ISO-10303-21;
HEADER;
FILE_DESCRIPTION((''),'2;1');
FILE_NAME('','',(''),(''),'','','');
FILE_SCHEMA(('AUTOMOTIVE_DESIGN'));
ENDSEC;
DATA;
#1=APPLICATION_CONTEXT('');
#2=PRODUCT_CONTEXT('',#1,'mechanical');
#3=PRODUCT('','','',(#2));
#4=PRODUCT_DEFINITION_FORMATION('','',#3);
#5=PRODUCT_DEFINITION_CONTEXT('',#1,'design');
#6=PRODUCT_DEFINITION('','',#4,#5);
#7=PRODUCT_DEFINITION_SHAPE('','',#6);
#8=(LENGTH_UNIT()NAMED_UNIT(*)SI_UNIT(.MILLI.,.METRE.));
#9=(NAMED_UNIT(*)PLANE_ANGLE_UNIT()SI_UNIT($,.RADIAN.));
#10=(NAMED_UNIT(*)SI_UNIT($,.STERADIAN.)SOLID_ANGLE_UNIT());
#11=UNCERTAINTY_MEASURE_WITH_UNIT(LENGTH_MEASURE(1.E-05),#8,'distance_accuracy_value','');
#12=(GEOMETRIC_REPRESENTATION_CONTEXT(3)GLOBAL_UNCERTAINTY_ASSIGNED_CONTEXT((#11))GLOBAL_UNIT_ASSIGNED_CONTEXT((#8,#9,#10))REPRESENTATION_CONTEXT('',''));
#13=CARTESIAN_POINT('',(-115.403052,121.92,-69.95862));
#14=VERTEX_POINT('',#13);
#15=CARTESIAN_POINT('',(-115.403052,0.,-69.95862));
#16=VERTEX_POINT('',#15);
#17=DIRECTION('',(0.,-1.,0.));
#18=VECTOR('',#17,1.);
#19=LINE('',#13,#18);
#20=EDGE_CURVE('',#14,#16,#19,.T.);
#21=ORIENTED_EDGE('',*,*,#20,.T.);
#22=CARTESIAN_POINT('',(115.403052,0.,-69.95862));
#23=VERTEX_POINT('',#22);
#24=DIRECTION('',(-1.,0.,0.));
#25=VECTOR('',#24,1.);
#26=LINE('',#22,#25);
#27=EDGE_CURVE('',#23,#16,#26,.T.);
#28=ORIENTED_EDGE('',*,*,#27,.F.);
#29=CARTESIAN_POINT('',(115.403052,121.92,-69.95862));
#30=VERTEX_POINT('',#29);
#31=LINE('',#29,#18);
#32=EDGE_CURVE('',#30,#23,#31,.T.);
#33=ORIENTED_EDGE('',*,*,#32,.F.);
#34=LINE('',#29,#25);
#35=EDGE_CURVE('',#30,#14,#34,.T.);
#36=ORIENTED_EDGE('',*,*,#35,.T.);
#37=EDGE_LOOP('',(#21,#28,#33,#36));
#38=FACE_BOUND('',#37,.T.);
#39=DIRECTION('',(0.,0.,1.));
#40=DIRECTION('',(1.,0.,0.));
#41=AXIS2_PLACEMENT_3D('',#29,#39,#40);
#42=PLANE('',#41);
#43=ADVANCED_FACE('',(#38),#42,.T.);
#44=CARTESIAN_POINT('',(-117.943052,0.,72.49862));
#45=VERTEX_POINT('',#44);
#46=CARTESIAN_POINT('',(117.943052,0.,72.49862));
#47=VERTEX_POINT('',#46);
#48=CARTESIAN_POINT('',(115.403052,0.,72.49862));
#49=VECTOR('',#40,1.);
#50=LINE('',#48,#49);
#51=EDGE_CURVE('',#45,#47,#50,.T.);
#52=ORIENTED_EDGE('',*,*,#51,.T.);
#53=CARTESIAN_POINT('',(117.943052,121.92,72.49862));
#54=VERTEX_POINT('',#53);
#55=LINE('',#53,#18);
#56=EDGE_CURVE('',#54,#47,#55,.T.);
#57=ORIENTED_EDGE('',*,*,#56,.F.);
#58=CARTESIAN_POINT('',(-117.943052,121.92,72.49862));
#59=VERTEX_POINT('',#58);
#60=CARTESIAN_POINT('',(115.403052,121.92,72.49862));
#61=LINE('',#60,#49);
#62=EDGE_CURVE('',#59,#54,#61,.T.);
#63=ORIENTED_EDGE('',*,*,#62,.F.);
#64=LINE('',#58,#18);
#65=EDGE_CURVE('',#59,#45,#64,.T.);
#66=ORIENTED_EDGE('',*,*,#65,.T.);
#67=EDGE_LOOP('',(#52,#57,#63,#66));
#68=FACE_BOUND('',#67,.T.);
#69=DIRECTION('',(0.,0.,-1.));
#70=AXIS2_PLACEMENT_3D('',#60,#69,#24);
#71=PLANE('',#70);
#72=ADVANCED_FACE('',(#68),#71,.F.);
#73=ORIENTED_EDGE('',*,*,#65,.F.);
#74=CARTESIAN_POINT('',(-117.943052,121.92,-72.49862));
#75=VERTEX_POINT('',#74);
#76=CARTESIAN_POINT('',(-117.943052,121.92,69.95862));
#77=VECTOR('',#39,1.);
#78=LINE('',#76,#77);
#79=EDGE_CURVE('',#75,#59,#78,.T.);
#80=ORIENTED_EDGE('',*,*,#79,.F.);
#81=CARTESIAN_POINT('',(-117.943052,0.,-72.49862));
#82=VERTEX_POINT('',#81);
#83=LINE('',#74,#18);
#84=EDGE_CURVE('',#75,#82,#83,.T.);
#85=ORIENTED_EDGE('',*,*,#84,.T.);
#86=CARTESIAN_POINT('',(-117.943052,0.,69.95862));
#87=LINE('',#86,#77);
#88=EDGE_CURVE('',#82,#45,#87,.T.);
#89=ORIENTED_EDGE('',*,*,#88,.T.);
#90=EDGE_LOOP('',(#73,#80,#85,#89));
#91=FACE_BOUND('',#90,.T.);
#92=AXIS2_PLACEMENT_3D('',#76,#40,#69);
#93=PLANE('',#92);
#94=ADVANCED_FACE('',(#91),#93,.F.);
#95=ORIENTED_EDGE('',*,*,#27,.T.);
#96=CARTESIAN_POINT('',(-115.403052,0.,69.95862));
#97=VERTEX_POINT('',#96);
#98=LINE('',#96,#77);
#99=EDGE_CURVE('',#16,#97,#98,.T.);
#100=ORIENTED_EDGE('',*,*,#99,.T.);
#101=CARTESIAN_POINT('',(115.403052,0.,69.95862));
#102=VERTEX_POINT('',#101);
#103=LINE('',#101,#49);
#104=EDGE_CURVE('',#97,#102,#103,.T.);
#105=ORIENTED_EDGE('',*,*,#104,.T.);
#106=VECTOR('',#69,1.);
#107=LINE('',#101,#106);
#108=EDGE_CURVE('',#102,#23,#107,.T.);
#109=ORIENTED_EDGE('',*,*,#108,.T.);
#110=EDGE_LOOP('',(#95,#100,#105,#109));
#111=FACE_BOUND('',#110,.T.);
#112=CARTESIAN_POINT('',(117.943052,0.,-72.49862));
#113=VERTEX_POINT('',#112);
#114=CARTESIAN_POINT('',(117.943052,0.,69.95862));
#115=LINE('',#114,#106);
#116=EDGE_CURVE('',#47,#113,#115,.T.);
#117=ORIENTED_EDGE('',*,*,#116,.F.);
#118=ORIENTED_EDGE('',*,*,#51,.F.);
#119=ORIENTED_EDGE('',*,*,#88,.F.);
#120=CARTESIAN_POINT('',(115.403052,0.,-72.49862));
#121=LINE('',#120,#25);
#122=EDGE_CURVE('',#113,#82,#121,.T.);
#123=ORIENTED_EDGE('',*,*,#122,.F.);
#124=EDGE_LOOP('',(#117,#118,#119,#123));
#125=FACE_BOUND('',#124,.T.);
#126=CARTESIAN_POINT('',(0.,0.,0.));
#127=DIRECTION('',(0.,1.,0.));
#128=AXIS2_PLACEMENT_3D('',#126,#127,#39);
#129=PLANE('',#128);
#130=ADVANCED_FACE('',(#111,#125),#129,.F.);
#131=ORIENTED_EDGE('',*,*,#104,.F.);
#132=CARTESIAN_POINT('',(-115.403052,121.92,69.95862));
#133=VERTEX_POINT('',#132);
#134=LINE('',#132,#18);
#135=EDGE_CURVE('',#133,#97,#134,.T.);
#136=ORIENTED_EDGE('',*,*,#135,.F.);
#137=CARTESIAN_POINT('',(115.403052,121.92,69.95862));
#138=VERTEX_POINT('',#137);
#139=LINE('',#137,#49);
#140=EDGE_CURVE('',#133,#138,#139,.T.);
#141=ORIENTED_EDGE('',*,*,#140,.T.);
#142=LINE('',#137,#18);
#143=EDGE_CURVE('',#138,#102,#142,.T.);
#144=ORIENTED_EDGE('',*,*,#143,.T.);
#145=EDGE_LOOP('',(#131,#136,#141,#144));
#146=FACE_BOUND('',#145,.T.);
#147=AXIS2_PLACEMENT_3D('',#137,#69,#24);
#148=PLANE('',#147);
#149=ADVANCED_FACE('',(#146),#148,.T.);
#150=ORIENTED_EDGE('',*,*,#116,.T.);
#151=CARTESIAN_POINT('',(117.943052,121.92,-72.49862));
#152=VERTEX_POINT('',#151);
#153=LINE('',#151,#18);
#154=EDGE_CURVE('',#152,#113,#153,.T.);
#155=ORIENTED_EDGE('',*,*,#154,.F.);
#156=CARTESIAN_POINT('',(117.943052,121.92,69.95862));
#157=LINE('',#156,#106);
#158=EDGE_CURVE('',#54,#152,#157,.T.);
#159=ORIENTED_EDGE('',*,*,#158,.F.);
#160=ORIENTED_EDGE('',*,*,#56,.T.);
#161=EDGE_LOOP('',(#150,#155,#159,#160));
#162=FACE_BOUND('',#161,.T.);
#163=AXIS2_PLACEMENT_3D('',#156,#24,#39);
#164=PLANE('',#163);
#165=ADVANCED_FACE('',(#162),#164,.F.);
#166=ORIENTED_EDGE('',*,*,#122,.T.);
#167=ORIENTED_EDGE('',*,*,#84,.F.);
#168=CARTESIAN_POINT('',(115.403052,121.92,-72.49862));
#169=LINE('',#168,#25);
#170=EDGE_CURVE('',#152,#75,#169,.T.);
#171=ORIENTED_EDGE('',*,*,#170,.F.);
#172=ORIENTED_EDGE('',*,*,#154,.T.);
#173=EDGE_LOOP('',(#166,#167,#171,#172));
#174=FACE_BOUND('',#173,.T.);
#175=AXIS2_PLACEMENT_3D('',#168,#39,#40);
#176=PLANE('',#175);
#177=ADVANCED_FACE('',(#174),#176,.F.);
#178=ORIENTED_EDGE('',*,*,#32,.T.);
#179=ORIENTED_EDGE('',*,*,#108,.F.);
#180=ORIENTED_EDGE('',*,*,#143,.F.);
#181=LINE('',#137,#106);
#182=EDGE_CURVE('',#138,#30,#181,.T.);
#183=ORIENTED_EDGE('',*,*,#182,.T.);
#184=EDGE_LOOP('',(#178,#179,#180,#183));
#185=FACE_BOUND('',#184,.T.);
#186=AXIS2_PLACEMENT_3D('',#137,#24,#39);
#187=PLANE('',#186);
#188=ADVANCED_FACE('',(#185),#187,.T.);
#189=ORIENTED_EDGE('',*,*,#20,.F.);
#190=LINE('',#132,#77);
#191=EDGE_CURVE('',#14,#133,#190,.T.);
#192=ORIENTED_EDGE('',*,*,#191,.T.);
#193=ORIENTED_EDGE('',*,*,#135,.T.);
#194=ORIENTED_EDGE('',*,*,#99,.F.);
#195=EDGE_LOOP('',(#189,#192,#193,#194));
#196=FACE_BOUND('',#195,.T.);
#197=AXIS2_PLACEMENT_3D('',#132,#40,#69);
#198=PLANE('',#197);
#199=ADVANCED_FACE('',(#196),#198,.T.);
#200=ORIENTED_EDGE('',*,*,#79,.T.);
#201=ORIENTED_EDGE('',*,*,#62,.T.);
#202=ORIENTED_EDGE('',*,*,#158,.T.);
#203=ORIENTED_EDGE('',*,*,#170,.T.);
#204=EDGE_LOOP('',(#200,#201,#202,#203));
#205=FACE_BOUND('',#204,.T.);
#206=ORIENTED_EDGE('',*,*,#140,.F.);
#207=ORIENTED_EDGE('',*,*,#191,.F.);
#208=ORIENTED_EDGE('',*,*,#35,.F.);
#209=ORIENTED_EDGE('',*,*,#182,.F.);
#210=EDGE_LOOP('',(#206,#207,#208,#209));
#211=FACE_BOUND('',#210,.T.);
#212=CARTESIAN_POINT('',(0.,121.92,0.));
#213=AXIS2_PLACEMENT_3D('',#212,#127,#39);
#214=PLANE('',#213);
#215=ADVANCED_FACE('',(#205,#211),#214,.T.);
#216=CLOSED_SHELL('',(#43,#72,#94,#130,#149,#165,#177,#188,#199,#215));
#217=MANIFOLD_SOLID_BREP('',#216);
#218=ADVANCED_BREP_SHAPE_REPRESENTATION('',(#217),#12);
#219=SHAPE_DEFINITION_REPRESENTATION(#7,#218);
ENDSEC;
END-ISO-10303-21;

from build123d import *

# Parameters (mm, degrees)
SKETCH1_W           = 235.88610364
SKETCH1_H           = 144.997240468
SKETCH1_W_2         = 230.80610364
SKETCH1_H_2         = 139.917240468
EXTRUDE_THIN1_DEPTH = 121.92


with BuildPart() as part:
    # Sketch1 → Extrude-Thin1 (new body)
    with BuildSketch(Plane(origin=(0, 0, 0), x_dir=(1, 0, 0), z_dir=(0, 1, 0))):
        Rectangle(SKETCH1_W, SKETCH1_H)
        Rectangle(SKETCH1_W_2, SKETCH1_H_2, mode=Mode.SUBTRACT)
    extrude(amount=EXTRUDE_THIN1_DEPTH)


solid = part.part
